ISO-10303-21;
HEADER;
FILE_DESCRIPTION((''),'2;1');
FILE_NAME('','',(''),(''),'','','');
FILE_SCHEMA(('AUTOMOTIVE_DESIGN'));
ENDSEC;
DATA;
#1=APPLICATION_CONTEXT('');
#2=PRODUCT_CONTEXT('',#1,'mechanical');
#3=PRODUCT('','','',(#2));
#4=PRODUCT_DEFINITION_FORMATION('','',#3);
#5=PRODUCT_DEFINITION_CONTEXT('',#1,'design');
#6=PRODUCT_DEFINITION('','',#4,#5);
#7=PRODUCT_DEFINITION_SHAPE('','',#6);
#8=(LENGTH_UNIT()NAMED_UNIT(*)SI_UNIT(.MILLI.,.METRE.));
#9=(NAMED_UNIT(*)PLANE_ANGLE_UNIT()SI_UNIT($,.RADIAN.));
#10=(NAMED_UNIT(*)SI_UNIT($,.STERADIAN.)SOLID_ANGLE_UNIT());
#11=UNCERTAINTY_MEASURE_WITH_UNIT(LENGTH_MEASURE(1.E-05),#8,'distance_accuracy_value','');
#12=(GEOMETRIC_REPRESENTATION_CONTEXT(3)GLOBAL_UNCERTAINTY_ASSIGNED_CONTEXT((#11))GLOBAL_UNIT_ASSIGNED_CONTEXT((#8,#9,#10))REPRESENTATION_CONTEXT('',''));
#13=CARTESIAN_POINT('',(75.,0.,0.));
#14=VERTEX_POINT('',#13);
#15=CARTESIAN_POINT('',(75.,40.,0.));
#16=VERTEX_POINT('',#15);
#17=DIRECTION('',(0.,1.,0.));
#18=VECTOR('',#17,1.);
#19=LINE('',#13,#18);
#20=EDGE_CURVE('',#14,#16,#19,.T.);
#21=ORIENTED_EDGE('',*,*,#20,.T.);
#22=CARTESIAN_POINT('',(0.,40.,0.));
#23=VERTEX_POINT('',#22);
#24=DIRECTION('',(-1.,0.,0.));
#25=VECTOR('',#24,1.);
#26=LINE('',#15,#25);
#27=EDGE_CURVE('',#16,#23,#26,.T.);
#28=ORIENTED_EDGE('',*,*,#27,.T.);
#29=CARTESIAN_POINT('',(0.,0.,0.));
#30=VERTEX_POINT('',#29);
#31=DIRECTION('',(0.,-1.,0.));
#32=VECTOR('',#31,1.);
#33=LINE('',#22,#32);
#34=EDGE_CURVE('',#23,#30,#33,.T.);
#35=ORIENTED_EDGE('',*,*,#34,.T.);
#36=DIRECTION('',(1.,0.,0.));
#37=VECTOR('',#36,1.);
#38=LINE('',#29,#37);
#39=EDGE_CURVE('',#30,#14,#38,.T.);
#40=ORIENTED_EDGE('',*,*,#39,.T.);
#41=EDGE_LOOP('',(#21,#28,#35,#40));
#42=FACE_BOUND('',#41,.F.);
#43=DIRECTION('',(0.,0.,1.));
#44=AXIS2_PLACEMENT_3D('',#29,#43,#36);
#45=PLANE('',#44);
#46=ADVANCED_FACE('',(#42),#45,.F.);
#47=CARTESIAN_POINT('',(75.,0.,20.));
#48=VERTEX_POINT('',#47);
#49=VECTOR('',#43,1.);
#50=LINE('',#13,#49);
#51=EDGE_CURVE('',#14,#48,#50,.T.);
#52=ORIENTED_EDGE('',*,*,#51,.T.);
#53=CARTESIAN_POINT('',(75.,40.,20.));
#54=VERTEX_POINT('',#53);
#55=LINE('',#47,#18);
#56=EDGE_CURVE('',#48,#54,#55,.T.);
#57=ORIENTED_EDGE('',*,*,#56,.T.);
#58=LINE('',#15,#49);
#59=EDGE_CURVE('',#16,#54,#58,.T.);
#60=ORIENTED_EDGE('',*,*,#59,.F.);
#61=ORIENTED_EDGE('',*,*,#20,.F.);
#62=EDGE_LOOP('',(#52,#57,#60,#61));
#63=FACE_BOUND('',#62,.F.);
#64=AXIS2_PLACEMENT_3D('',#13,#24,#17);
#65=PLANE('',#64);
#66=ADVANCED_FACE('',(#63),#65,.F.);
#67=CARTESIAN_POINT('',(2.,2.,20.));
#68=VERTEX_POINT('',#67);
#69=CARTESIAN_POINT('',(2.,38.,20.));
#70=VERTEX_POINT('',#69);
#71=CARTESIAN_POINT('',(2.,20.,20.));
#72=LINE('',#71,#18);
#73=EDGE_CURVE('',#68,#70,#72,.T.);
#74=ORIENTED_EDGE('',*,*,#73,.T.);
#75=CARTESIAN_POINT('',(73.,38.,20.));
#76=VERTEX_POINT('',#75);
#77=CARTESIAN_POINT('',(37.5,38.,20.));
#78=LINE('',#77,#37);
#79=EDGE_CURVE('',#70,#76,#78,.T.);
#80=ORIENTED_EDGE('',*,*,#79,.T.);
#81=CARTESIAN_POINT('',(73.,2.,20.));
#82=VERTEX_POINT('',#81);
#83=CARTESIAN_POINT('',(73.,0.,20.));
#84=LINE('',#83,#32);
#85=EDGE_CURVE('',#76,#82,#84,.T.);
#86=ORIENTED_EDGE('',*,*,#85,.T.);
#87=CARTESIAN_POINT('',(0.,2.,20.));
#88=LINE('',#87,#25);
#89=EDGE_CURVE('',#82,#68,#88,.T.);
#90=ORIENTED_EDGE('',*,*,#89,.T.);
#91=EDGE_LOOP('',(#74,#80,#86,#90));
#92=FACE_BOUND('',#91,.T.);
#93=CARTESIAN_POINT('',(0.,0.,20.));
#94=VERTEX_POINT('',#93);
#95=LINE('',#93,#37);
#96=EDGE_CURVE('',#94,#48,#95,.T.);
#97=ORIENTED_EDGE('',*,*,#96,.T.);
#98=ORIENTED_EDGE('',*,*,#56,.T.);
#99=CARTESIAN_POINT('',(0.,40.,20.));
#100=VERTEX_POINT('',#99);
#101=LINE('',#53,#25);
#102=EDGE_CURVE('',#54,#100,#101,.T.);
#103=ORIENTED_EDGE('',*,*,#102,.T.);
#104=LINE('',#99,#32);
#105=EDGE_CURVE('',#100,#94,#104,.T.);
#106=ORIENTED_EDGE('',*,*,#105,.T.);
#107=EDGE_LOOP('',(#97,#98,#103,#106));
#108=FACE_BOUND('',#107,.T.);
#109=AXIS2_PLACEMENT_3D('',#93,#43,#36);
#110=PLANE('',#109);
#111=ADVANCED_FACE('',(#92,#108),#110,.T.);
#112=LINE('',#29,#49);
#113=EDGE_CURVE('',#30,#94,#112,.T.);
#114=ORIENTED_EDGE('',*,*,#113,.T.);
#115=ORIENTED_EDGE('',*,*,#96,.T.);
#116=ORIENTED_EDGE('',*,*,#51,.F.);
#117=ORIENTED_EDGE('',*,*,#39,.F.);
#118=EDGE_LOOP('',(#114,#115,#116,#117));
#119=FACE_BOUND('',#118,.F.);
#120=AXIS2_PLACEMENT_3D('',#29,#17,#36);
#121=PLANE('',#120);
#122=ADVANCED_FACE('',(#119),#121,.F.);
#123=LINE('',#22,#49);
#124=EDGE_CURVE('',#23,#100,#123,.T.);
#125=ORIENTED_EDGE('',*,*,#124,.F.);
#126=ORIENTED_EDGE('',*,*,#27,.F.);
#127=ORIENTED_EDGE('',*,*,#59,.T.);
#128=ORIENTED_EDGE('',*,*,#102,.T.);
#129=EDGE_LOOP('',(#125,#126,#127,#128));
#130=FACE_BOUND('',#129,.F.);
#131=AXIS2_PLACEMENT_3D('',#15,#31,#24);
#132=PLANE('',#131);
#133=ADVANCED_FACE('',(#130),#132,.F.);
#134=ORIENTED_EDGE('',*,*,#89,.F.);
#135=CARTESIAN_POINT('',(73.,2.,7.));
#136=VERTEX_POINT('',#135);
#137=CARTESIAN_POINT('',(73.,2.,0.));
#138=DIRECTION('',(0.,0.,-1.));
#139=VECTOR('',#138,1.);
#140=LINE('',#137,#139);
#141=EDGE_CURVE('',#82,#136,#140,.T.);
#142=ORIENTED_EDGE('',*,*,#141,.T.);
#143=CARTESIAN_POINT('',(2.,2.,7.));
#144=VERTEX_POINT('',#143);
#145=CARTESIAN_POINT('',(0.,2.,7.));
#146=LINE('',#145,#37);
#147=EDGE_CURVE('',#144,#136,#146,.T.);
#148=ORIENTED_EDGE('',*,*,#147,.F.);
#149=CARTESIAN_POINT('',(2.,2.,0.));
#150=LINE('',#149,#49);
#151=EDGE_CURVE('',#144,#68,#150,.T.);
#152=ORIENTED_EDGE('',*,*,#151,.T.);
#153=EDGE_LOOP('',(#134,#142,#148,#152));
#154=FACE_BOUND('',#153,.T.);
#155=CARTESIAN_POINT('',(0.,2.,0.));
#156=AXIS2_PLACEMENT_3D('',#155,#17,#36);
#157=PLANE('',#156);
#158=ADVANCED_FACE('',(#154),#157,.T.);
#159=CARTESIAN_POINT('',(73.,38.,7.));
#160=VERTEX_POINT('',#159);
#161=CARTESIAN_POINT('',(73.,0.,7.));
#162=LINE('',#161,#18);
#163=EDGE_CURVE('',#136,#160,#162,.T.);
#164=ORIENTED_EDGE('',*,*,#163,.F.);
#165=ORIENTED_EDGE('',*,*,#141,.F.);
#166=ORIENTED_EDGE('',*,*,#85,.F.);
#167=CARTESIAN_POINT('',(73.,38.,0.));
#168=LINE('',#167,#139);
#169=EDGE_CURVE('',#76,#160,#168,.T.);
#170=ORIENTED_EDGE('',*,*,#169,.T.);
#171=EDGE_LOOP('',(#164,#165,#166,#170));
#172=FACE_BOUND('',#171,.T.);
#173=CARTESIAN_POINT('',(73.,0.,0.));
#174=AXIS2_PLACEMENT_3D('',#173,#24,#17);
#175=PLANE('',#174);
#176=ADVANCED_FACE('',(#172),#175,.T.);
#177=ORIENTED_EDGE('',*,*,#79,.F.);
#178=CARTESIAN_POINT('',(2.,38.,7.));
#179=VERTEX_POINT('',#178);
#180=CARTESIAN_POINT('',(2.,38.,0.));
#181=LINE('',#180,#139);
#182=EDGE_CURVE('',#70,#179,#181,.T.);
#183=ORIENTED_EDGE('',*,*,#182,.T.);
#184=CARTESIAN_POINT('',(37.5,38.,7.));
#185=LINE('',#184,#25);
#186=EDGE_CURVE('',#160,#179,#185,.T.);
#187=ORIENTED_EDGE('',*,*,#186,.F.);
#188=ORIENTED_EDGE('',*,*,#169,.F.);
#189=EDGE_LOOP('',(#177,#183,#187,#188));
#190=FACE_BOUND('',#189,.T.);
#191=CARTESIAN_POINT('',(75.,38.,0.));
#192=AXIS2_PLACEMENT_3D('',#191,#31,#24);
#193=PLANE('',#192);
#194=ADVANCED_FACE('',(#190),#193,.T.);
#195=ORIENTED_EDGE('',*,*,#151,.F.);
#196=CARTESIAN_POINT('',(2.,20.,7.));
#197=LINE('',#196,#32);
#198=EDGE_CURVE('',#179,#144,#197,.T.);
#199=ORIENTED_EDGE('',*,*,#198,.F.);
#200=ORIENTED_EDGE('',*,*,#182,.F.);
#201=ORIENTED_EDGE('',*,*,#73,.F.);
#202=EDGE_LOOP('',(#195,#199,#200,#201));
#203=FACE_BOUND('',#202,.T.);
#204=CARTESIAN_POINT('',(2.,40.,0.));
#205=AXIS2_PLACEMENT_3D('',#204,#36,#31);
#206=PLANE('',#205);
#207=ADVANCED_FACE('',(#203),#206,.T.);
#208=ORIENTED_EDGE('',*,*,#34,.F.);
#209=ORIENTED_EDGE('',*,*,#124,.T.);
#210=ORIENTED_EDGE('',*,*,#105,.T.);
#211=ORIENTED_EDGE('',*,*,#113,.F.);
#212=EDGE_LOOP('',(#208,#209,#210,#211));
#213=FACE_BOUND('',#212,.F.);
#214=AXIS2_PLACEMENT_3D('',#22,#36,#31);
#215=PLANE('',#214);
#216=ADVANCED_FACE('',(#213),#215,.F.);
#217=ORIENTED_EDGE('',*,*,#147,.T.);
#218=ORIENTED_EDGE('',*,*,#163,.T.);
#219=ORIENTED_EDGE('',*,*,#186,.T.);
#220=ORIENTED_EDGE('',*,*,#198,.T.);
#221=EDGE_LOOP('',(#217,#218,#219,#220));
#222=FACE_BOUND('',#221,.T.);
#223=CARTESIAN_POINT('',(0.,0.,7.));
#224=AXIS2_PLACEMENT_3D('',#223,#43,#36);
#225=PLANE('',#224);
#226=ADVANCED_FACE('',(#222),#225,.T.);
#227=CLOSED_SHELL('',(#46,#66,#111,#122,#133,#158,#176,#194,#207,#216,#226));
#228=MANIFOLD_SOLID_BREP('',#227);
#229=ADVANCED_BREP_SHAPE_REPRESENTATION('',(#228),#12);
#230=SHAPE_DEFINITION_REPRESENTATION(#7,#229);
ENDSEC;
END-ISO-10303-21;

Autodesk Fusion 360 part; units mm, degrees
sketch "Szkic1" plane through (0, 0, 0) normal (0, 0, 1) x (1, 0, 0)
  line L0 (0, 0) -> (75, 0)
  line L1 (75, 0) -> (75, 40)
  line L2 (75, 40) -> (0, 40)
  line L3 (0, 40) -> (0, 0)
  dimension "d1" = 75
  dimension "d2" = 40
extrude "Wyciągnięcie proste1" add sketch "Szkic1" along normal blind 20 makes body 1
shell "Skorupa1" thickness 2 removed faces 1 at (25, 26.6667, 20) on bodies 1
extrude "Wyciągnięcie proste2" add 1 faces at (25.6667, 14, 2) along direction (0, 0, 1) blind 5 on bodies 1 bodies 1
copy_body "Bryła->Komponent1" bodies 1 removing the originals makes body 2 in component "koszyk"
component "koszyk" placed x (1, 0, 0) y (0, 1, 0) z (0, 0, 1) at (0, 0, 0)
